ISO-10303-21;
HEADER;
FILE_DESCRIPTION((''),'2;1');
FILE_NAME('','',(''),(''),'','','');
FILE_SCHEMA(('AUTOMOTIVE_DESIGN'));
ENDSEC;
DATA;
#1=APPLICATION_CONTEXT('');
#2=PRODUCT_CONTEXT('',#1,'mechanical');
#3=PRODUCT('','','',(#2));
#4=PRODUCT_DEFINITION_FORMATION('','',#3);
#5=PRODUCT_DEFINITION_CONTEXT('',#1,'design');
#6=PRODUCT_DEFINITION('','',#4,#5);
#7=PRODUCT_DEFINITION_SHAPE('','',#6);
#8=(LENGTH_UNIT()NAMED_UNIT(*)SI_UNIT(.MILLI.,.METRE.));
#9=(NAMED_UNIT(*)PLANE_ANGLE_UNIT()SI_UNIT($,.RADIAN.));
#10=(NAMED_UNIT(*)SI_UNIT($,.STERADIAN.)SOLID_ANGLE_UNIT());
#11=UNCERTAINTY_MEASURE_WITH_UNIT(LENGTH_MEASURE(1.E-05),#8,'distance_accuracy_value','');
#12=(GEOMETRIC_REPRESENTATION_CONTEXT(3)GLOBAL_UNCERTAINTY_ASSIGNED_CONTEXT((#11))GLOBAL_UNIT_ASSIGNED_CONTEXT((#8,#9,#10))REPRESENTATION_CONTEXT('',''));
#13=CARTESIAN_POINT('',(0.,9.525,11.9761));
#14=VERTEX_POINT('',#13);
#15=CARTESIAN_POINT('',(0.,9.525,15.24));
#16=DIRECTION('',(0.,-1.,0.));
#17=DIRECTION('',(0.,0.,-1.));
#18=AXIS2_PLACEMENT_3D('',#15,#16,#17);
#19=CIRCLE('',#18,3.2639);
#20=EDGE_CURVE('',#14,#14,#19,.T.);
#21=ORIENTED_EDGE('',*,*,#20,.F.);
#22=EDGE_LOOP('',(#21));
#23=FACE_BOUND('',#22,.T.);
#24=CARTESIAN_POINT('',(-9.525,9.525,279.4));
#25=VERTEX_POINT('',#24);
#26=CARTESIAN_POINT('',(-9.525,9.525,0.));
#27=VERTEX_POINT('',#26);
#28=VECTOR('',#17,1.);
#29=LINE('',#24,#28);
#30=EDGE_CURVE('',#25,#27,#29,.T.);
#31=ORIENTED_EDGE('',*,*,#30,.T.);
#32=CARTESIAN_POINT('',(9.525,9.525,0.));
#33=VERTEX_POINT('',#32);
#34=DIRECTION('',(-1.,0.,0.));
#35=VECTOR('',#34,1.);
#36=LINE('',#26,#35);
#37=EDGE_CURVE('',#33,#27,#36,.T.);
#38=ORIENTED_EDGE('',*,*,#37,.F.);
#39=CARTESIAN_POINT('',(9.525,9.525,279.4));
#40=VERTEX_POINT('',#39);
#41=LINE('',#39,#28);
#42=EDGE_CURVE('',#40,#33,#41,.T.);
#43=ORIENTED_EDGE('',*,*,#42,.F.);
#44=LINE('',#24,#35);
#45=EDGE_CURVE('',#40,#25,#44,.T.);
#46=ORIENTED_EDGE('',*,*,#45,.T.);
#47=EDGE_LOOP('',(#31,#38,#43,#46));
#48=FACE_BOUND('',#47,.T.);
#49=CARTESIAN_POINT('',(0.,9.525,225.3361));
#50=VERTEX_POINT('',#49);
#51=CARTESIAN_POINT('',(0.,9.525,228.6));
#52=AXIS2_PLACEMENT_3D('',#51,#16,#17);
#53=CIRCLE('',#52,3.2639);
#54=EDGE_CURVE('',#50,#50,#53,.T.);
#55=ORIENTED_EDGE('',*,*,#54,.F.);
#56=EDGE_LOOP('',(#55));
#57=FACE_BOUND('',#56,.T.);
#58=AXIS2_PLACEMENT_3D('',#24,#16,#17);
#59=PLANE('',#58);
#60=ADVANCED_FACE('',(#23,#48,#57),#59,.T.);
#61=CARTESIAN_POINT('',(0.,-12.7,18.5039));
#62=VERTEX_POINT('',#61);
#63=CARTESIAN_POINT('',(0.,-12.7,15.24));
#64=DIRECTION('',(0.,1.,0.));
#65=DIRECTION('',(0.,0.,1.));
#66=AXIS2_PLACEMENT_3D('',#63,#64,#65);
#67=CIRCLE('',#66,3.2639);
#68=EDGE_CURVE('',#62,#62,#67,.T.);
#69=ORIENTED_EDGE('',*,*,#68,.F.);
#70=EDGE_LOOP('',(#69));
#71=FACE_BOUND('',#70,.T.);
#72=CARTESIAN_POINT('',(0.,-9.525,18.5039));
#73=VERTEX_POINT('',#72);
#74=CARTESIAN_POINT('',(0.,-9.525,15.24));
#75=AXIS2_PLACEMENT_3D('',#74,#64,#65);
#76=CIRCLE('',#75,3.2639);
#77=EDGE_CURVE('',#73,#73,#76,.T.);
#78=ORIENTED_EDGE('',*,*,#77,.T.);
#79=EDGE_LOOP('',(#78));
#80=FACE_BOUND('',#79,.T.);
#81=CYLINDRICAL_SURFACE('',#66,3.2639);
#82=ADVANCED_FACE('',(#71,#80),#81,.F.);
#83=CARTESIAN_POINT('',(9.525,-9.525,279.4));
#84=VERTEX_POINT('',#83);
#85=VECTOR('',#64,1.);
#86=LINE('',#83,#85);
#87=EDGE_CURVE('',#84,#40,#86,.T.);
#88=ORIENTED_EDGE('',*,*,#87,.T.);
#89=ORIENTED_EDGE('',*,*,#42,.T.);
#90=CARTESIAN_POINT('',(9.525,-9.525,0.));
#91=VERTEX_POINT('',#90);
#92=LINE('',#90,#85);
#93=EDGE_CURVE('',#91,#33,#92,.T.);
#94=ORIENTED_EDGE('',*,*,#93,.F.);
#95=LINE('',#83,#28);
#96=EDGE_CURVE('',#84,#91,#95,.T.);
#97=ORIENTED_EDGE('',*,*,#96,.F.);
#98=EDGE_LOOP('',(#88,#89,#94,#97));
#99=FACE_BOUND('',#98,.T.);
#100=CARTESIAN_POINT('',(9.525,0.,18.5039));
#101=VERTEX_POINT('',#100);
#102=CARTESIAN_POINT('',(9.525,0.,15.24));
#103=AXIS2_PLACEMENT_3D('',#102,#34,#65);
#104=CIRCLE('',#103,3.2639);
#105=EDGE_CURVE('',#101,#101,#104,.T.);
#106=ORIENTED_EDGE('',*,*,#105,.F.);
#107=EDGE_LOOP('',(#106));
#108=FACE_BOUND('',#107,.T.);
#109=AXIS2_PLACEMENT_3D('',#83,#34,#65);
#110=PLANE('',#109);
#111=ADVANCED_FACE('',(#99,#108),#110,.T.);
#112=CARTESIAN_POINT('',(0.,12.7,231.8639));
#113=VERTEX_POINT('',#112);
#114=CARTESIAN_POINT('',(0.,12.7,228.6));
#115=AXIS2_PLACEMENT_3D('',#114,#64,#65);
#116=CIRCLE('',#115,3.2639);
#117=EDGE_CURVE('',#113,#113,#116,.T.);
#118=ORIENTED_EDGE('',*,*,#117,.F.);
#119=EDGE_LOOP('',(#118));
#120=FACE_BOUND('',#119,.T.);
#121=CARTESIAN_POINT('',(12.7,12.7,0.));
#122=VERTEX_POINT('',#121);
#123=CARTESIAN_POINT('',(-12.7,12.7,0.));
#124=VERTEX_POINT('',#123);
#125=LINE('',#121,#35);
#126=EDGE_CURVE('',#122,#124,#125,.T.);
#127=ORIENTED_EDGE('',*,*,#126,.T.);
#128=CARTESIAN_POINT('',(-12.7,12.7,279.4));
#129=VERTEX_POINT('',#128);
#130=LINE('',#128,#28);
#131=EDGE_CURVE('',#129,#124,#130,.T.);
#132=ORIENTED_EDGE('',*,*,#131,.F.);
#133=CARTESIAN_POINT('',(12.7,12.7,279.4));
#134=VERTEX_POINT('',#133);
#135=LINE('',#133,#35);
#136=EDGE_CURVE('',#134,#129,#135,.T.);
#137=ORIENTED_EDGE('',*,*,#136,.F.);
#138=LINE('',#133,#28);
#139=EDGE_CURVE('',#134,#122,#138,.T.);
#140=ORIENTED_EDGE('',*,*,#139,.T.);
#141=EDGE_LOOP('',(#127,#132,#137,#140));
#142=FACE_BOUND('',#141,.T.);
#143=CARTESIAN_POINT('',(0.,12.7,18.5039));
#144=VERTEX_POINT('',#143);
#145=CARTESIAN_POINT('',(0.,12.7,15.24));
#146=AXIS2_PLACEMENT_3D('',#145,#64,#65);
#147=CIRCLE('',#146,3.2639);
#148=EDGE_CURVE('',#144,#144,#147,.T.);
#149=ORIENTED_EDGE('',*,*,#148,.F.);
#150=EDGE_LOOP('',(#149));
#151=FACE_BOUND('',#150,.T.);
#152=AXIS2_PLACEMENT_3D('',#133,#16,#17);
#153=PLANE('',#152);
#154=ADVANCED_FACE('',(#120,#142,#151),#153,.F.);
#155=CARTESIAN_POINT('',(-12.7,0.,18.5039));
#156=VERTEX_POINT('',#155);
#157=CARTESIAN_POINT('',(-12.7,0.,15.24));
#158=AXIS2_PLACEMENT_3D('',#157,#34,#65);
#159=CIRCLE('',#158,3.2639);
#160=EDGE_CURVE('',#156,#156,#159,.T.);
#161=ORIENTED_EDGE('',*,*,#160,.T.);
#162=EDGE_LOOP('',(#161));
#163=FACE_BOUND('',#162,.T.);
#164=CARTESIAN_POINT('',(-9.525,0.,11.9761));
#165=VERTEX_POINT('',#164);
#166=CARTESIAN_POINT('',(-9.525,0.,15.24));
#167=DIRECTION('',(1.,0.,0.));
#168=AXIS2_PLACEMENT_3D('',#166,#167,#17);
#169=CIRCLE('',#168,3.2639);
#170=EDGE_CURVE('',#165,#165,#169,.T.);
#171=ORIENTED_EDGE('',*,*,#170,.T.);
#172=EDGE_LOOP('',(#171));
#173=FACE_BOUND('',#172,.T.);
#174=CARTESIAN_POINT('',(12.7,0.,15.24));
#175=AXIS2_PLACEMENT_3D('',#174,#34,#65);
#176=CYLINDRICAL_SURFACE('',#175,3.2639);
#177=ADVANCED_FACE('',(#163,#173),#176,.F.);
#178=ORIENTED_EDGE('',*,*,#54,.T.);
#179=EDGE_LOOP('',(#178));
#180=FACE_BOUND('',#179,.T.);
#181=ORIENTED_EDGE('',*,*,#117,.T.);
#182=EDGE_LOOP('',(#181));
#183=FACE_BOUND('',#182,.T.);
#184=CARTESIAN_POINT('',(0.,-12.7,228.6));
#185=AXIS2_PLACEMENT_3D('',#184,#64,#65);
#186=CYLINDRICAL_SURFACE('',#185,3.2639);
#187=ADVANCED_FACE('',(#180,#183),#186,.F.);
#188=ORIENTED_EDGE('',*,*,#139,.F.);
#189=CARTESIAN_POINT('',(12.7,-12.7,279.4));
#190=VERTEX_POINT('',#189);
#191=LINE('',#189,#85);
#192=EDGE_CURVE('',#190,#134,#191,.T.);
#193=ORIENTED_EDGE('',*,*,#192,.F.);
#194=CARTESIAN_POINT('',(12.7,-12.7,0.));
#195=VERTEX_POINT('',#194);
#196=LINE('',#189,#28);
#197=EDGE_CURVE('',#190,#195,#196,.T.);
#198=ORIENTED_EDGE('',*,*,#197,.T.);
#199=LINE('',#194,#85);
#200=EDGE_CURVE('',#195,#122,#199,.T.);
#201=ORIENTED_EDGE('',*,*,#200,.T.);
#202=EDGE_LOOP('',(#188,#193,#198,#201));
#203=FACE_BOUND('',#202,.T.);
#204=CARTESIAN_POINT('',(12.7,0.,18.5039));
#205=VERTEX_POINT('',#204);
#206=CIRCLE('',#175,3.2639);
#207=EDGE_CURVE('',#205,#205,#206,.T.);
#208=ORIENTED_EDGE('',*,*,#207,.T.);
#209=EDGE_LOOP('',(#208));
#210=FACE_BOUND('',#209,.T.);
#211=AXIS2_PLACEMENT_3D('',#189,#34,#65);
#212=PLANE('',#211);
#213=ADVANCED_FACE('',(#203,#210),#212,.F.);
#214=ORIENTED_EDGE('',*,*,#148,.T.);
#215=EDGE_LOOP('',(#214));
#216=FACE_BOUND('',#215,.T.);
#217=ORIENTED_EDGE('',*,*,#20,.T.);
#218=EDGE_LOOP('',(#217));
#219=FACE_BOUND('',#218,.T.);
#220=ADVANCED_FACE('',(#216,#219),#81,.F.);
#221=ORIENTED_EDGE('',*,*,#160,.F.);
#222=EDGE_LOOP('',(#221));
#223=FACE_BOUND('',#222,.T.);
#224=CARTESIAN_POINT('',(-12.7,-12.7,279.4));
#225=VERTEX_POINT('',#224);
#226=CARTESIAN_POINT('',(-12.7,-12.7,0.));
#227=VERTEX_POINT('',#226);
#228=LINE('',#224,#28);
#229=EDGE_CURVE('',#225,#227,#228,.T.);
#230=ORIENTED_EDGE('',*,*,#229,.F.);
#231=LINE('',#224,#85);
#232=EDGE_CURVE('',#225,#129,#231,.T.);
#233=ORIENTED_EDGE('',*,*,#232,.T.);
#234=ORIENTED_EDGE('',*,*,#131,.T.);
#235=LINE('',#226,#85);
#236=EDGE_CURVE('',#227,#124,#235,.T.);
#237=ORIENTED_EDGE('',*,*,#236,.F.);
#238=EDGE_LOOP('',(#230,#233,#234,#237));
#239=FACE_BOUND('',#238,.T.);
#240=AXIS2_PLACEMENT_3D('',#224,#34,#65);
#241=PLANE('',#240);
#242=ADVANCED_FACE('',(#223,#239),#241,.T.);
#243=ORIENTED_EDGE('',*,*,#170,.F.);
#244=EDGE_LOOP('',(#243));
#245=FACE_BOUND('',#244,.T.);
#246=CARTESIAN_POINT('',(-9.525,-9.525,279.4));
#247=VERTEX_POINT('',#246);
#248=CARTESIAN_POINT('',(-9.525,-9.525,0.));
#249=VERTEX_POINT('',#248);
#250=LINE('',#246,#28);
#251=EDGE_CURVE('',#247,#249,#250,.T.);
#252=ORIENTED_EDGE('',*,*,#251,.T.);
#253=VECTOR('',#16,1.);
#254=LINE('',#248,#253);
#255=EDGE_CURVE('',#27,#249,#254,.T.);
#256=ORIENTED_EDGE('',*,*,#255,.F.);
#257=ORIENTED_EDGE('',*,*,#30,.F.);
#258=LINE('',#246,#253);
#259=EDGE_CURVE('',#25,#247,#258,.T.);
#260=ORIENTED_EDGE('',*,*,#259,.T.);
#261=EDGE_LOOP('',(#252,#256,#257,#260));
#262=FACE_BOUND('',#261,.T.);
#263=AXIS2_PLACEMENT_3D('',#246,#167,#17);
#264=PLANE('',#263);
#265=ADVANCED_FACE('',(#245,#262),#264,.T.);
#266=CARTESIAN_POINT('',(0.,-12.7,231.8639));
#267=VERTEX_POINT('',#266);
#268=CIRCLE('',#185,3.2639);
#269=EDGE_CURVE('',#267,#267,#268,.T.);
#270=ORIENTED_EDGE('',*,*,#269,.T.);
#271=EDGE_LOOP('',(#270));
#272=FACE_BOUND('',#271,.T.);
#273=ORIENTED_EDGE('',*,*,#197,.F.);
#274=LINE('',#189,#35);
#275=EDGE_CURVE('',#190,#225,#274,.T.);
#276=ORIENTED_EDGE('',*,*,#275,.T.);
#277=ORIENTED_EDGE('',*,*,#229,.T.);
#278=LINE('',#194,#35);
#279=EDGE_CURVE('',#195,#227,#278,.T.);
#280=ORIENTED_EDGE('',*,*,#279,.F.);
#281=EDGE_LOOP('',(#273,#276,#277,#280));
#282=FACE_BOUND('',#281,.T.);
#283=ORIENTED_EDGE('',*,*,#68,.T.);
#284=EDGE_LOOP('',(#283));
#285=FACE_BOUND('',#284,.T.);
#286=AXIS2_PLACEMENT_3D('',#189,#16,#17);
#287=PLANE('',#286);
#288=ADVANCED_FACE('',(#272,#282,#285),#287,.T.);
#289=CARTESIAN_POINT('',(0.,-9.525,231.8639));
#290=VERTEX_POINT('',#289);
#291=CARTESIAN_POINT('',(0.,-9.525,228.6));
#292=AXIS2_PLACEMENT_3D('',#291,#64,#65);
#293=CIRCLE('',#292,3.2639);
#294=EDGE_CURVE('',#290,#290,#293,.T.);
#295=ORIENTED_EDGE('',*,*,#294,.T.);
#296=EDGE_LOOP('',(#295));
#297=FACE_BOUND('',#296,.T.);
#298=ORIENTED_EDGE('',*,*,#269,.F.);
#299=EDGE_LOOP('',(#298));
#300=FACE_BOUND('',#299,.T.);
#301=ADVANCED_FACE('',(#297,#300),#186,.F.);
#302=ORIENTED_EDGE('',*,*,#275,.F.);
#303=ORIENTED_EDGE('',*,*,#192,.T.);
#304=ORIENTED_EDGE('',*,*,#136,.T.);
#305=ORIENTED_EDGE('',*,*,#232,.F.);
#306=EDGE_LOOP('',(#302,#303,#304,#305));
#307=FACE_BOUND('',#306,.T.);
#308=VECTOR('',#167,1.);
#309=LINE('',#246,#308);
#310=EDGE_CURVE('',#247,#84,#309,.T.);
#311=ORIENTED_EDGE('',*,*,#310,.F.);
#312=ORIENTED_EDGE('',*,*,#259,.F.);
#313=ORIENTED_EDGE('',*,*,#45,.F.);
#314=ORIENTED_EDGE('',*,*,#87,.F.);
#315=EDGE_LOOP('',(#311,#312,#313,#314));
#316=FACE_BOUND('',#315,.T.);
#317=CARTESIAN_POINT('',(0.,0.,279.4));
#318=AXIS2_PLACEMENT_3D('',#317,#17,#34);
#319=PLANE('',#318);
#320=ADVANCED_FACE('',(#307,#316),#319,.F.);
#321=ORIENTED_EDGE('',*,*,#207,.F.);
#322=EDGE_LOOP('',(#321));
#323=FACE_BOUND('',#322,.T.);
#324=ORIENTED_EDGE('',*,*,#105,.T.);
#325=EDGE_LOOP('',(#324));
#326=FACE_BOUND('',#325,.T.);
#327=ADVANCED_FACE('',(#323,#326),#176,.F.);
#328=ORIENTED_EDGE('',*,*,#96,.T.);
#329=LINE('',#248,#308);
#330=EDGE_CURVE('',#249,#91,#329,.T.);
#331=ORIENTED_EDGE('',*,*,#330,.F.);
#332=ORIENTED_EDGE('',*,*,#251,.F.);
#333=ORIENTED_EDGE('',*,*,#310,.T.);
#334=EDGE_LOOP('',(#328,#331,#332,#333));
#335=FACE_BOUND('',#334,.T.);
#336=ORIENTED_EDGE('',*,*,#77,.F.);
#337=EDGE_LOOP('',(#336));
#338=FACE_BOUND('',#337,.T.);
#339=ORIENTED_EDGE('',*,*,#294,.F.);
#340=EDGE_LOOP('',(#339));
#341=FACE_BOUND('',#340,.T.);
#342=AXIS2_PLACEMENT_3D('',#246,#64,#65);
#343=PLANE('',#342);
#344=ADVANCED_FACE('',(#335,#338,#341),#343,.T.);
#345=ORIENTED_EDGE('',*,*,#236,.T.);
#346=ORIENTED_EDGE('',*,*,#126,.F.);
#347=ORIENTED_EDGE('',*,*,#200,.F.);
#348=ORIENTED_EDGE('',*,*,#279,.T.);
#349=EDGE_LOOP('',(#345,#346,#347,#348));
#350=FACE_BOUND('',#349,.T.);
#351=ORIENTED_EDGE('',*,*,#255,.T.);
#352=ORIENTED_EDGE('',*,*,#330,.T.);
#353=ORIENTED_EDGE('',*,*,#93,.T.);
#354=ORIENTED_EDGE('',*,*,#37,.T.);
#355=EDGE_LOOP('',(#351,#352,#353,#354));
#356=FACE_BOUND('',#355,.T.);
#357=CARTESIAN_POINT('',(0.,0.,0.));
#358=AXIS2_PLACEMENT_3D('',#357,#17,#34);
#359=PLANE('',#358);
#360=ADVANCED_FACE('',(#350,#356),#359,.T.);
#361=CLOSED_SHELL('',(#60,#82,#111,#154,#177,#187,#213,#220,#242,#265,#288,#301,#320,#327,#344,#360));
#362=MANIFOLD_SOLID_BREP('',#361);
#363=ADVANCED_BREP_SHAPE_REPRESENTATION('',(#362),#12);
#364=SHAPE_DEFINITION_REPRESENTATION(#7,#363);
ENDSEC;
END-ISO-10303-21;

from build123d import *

# Parameters (mm, degrees)
SKETCH2_W           = 25.4
SKETCH2_H           = 25.4
BOSS_EXTRUDE1_DEPTH = 279.4
SKETCH4_W           = 19.05
SKETCH4_H           = 19.05
CUT_EXTRUDE1_DEPTH  = 280.9766776
SKETCH5_R           = 3.2639
CUT_EXTRUDE2_DEPTH  = 281.839473721
SKETCH6_R           = 3.2639
CUT_EXTRUDE3_DEPTH  = 281.839473721
SKETCH7_R           = 3.2639
CUT_EXTRUDE4_DEPTH  = 281.839473721


with BuildPart() as part:
    # Sketch2 → Boss-Extrude1 (new body)
    with BuildSketch(Plane.XY):
        Rectangle(SKETCH2_W, SKETCH2_H)
    extrude(amount=BOSS_EXTRUDE1_DEPTH)

    # Sketch4 → Cut-Extrude1 (cut, through all)
    with BuildSketch(Plane.XY):
        Rectangle(SKETCH4_W, SKETCH4_H)
    extrude(amount=CUT_EXTRUDE1_DEPTH, mode=Mode.SUBTRACT)

    # Sketch5 → Cut-Extrude2 (cut, through all)
    with BuildSketch(Plane(origin=(0, 12.7, 0), x_dir=(1, 0, 0), z_dir=(0, 1, 0))):
        with Locations(Location((0, -15.24, 0), (0, 0, 270))):
            Circle(SKETCH5_R)
    extrude(amount=-CUT_EXTRUDE2_DEPTH, mode=Mode.SUBTRACT)

    # Sketch6 → Cut-Extrude3 (cut, through all)
    with BuildSketch(Plane(origin=(0, 12.7, 0), x_dir=(1, 0, 0), z_dir=(0, 1, 0))):
        with Locations(Location((0, -228.6, 0), (0, 0, 270))):
            Circle(SKETCH6_R)
    extrude(amount=-CUT_EXTRUDE3_DEPTH, mode=Mode.SUBTRACT)

    # Sketch7 → Cut-Extrude4 (cut, through all)
    with BuildSketch(Plane.ZY.offset(12.7)):
        with Locations((15.24, 0)):
            Circle(SKETCH7_R)
    extrude(amount=-CUT_EXTRUDE4_DEPTH, mode=Mode.SUBTRACT)


solid = part.part
